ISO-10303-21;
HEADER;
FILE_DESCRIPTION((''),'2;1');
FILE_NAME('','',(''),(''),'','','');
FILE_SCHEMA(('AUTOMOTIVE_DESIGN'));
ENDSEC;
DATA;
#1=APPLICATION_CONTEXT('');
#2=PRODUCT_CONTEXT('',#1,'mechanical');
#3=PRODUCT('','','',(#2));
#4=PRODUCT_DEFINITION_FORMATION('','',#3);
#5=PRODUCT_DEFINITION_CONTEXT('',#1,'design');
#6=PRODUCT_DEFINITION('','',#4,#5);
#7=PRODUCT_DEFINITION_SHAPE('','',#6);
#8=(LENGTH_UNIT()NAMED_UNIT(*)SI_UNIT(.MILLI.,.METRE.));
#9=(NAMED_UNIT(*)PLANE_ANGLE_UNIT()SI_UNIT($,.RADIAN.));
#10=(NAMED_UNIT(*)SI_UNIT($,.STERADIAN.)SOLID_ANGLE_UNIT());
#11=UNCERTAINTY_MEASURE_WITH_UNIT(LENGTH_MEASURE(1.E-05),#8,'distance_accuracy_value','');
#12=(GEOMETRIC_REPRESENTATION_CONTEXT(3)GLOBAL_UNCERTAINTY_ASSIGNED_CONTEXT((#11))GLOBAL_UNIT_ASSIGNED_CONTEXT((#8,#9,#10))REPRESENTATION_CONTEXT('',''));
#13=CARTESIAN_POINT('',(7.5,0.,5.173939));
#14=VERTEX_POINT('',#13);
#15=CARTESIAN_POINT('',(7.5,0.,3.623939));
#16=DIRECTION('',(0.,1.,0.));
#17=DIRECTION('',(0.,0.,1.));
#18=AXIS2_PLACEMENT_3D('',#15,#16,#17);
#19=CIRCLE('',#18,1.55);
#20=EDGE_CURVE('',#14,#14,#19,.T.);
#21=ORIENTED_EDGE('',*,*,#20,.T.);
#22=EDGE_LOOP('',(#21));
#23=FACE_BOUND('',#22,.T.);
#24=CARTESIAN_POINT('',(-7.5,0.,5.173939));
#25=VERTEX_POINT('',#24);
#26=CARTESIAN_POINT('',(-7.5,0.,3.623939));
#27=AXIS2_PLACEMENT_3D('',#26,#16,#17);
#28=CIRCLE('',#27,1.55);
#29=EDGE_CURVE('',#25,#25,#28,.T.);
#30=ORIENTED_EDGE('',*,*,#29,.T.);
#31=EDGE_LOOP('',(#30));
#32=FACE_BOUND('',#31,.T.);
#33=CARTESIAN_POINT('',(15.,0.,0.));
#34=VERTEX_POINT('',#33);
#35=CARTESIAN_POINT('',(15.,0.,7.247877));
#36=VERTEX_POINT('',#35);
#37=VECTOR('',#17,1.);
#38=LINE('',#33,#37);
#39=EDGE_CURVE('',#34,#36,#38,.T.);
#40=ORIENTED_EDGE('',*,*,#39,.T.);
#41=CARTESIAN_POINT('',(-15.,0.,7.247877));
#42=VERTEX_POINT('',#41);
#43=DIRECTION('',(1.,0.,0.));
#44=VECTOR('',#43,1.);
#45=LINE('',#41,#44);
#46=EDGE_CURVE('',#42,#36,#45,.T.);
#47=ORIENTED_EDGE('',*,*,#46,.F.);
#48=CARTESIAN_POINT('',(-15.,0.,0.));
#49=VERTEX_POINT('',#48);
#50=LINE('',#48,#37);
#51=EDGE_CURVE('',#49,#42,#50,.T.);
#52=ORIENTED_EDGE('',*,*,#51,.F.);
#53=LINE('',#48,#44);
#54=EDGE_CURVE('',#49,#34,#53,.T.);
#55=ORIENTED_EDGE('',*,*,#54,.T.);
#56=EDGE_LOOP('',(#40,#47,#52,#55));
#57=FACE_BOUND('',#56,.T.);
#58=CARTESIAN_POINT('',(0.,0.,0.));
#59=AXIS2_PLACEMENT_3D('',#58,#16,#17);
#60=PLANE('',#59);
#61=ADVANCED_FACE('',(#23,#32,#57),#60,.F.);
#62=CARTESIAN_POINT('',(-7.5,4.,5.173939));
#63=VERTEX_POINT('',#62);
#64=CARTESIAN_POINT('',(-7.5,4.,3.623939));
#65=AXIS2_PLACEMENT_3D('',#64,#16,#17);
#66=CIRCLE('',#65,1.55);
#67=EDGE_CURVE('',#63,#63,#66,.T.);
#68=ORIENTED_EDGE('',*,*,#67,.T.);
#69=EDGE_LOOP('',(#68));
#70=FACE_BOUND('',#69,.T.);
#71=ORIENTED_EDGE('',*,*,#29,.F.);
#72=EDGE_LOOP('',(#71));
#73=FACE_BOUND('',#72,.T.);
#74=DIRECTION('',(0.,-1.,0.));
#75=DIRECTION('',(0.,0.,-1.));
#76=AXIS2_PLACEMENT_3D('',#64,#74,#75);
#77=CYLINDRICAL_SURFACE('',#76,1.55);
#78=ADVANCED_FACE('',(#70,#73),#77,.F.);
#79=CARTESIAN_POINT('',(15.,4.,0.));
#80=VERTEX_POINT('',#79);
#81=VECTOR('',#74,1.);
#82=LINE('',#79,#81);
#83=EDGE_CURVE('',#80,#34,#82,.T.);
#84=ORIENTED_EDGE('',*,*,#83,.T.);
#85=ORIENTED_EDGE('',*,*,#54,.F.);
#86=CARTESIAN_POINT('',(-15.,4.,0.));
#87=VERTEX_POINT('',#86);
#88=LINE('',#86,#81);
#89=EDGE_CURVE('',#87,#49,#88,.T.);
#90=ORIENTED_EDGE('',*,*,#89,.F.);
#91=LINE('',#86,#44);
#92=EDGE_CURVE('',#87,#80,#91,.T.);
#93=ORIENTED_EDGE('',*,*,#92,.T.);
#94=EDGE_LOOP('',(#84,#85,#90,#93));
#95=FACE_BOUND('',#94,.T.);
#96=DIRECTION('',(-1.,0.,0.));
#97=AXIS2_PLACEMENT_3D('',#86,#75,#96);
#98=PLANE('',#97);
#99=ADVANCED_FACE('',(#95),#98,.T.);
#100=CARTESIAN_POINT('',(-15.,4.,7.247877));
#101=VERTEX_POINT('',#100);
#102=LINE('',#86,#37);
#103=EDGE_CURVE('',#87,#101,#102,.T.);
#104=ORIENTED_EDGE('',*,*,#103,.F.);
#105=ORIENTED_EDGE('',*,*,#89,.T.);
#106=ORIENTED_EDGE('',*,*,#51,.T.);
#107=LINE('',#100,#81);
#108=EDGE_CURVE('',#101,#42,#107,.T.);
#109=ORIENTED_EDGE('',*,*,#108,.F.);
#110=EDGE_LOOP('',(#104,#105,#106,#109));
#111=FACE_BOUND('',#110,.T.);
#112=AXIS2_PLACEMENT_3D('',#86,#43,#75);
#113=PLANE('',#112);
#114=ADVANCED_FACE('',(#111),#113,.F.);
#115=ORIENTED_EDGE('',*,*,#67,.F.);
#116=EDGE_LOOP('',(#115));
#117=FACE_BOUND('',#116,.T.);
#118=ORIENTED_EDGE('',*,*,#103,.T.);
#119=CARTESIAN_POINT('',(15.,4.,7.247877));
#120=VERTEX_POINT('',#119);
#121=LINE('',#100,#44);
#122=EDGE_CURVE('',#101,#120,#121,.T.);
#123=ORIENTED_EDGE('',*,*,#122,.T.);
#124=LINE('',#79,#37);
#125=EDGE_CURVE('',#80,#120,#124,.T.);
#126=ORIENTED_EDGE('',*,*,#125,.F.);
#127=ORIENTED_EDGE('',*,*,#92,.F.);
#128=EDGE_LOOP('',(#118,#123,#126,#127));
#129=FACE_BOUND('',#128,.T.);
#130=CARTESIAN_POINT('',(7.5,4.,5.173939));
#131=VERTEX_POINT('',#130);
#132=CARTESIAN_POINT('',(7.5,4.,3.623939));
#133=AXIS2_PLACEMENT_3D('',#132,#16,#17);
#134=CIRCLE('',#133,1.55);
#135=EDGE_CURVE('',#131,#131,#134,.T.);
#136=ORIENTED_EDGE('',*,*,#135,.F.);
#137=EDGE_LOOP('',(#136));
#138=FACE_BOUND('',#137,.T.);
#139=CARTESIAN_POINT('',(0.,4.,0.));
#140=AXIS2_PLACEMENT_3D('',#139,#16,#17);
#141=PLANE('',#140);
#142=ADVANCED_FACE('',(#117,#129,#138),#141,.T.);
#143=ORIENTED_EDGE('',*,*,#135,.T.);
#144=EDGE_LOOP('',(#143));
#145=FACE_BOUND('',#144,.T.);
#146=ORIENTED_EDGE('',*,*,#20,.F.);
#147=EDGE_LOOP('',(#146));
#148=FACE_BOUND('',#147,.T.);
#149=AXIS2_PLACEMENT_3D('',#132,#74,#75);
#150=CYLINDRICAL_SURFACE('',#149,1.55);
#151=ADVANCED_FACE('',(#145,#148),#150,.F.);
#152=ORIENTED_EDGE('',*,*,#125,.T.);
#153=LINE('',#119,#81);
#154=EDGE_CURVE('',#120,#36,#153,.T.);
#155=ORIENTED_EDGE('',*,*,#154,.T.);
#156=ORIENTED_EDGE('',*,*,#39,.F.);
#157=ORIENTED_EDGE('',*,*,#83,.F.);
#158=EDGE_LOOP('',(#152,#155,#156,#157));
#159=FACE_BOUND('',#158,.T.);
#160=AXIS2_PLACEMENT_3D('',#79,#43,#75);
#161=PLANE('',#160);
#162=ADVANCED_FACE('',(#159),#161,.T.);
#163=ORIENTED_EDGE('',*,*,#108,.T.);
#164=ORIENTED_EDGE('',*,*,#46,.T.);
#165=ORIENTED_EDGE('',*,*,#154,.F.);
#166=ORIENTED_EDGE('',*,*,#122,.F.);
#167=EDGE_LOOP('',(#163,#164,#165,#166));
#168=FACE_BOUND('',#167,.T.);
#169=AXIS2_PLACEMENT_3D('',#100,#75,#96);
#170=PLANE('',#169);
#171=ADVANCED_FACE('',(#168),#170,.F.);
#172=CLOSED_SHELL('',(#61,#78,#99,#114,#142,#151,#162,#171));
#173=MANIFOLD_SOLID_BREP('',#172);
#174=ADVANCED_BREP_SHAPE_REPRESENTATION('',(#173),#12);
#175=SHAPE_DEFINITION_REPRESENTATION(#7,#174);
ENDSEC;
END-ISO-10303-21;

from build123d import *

# Parameters (mm, degrees)
SKETCH1_W           = 30
SKETCH1_H           = 7.247877258
SKETCH1_R           = 1.55
BOSS_EXTRUDE1_DEPTH = 4


with BuildPart() as part:
    # Sketch1 → Boss-Extrude1 (new body)
    with BuildSketch(Plane(origin=(0, 0, 0), x_dir=(1, 0, 0), z_dir=(0, 1, 0))):
        with Locations((0, -3.623938629)):
            Rectangle(SKETCH1_W, SKETCH1_H)
        with Locations(Location((7.5, -3.623938629, 0), (0, 0, 270))):
            Circle(SKETCH1_R, mode=Mode.SUBTRACT)
        with Locations(Location((-7.5, -3.623938629, 0), (0, 0, 270))):
            Circle(SKETCH1_R, mode=Mode.SUBTRACT)
    extrude(amount=BOSS_EXTRUDE1_DEPTH)


solid = part.part
